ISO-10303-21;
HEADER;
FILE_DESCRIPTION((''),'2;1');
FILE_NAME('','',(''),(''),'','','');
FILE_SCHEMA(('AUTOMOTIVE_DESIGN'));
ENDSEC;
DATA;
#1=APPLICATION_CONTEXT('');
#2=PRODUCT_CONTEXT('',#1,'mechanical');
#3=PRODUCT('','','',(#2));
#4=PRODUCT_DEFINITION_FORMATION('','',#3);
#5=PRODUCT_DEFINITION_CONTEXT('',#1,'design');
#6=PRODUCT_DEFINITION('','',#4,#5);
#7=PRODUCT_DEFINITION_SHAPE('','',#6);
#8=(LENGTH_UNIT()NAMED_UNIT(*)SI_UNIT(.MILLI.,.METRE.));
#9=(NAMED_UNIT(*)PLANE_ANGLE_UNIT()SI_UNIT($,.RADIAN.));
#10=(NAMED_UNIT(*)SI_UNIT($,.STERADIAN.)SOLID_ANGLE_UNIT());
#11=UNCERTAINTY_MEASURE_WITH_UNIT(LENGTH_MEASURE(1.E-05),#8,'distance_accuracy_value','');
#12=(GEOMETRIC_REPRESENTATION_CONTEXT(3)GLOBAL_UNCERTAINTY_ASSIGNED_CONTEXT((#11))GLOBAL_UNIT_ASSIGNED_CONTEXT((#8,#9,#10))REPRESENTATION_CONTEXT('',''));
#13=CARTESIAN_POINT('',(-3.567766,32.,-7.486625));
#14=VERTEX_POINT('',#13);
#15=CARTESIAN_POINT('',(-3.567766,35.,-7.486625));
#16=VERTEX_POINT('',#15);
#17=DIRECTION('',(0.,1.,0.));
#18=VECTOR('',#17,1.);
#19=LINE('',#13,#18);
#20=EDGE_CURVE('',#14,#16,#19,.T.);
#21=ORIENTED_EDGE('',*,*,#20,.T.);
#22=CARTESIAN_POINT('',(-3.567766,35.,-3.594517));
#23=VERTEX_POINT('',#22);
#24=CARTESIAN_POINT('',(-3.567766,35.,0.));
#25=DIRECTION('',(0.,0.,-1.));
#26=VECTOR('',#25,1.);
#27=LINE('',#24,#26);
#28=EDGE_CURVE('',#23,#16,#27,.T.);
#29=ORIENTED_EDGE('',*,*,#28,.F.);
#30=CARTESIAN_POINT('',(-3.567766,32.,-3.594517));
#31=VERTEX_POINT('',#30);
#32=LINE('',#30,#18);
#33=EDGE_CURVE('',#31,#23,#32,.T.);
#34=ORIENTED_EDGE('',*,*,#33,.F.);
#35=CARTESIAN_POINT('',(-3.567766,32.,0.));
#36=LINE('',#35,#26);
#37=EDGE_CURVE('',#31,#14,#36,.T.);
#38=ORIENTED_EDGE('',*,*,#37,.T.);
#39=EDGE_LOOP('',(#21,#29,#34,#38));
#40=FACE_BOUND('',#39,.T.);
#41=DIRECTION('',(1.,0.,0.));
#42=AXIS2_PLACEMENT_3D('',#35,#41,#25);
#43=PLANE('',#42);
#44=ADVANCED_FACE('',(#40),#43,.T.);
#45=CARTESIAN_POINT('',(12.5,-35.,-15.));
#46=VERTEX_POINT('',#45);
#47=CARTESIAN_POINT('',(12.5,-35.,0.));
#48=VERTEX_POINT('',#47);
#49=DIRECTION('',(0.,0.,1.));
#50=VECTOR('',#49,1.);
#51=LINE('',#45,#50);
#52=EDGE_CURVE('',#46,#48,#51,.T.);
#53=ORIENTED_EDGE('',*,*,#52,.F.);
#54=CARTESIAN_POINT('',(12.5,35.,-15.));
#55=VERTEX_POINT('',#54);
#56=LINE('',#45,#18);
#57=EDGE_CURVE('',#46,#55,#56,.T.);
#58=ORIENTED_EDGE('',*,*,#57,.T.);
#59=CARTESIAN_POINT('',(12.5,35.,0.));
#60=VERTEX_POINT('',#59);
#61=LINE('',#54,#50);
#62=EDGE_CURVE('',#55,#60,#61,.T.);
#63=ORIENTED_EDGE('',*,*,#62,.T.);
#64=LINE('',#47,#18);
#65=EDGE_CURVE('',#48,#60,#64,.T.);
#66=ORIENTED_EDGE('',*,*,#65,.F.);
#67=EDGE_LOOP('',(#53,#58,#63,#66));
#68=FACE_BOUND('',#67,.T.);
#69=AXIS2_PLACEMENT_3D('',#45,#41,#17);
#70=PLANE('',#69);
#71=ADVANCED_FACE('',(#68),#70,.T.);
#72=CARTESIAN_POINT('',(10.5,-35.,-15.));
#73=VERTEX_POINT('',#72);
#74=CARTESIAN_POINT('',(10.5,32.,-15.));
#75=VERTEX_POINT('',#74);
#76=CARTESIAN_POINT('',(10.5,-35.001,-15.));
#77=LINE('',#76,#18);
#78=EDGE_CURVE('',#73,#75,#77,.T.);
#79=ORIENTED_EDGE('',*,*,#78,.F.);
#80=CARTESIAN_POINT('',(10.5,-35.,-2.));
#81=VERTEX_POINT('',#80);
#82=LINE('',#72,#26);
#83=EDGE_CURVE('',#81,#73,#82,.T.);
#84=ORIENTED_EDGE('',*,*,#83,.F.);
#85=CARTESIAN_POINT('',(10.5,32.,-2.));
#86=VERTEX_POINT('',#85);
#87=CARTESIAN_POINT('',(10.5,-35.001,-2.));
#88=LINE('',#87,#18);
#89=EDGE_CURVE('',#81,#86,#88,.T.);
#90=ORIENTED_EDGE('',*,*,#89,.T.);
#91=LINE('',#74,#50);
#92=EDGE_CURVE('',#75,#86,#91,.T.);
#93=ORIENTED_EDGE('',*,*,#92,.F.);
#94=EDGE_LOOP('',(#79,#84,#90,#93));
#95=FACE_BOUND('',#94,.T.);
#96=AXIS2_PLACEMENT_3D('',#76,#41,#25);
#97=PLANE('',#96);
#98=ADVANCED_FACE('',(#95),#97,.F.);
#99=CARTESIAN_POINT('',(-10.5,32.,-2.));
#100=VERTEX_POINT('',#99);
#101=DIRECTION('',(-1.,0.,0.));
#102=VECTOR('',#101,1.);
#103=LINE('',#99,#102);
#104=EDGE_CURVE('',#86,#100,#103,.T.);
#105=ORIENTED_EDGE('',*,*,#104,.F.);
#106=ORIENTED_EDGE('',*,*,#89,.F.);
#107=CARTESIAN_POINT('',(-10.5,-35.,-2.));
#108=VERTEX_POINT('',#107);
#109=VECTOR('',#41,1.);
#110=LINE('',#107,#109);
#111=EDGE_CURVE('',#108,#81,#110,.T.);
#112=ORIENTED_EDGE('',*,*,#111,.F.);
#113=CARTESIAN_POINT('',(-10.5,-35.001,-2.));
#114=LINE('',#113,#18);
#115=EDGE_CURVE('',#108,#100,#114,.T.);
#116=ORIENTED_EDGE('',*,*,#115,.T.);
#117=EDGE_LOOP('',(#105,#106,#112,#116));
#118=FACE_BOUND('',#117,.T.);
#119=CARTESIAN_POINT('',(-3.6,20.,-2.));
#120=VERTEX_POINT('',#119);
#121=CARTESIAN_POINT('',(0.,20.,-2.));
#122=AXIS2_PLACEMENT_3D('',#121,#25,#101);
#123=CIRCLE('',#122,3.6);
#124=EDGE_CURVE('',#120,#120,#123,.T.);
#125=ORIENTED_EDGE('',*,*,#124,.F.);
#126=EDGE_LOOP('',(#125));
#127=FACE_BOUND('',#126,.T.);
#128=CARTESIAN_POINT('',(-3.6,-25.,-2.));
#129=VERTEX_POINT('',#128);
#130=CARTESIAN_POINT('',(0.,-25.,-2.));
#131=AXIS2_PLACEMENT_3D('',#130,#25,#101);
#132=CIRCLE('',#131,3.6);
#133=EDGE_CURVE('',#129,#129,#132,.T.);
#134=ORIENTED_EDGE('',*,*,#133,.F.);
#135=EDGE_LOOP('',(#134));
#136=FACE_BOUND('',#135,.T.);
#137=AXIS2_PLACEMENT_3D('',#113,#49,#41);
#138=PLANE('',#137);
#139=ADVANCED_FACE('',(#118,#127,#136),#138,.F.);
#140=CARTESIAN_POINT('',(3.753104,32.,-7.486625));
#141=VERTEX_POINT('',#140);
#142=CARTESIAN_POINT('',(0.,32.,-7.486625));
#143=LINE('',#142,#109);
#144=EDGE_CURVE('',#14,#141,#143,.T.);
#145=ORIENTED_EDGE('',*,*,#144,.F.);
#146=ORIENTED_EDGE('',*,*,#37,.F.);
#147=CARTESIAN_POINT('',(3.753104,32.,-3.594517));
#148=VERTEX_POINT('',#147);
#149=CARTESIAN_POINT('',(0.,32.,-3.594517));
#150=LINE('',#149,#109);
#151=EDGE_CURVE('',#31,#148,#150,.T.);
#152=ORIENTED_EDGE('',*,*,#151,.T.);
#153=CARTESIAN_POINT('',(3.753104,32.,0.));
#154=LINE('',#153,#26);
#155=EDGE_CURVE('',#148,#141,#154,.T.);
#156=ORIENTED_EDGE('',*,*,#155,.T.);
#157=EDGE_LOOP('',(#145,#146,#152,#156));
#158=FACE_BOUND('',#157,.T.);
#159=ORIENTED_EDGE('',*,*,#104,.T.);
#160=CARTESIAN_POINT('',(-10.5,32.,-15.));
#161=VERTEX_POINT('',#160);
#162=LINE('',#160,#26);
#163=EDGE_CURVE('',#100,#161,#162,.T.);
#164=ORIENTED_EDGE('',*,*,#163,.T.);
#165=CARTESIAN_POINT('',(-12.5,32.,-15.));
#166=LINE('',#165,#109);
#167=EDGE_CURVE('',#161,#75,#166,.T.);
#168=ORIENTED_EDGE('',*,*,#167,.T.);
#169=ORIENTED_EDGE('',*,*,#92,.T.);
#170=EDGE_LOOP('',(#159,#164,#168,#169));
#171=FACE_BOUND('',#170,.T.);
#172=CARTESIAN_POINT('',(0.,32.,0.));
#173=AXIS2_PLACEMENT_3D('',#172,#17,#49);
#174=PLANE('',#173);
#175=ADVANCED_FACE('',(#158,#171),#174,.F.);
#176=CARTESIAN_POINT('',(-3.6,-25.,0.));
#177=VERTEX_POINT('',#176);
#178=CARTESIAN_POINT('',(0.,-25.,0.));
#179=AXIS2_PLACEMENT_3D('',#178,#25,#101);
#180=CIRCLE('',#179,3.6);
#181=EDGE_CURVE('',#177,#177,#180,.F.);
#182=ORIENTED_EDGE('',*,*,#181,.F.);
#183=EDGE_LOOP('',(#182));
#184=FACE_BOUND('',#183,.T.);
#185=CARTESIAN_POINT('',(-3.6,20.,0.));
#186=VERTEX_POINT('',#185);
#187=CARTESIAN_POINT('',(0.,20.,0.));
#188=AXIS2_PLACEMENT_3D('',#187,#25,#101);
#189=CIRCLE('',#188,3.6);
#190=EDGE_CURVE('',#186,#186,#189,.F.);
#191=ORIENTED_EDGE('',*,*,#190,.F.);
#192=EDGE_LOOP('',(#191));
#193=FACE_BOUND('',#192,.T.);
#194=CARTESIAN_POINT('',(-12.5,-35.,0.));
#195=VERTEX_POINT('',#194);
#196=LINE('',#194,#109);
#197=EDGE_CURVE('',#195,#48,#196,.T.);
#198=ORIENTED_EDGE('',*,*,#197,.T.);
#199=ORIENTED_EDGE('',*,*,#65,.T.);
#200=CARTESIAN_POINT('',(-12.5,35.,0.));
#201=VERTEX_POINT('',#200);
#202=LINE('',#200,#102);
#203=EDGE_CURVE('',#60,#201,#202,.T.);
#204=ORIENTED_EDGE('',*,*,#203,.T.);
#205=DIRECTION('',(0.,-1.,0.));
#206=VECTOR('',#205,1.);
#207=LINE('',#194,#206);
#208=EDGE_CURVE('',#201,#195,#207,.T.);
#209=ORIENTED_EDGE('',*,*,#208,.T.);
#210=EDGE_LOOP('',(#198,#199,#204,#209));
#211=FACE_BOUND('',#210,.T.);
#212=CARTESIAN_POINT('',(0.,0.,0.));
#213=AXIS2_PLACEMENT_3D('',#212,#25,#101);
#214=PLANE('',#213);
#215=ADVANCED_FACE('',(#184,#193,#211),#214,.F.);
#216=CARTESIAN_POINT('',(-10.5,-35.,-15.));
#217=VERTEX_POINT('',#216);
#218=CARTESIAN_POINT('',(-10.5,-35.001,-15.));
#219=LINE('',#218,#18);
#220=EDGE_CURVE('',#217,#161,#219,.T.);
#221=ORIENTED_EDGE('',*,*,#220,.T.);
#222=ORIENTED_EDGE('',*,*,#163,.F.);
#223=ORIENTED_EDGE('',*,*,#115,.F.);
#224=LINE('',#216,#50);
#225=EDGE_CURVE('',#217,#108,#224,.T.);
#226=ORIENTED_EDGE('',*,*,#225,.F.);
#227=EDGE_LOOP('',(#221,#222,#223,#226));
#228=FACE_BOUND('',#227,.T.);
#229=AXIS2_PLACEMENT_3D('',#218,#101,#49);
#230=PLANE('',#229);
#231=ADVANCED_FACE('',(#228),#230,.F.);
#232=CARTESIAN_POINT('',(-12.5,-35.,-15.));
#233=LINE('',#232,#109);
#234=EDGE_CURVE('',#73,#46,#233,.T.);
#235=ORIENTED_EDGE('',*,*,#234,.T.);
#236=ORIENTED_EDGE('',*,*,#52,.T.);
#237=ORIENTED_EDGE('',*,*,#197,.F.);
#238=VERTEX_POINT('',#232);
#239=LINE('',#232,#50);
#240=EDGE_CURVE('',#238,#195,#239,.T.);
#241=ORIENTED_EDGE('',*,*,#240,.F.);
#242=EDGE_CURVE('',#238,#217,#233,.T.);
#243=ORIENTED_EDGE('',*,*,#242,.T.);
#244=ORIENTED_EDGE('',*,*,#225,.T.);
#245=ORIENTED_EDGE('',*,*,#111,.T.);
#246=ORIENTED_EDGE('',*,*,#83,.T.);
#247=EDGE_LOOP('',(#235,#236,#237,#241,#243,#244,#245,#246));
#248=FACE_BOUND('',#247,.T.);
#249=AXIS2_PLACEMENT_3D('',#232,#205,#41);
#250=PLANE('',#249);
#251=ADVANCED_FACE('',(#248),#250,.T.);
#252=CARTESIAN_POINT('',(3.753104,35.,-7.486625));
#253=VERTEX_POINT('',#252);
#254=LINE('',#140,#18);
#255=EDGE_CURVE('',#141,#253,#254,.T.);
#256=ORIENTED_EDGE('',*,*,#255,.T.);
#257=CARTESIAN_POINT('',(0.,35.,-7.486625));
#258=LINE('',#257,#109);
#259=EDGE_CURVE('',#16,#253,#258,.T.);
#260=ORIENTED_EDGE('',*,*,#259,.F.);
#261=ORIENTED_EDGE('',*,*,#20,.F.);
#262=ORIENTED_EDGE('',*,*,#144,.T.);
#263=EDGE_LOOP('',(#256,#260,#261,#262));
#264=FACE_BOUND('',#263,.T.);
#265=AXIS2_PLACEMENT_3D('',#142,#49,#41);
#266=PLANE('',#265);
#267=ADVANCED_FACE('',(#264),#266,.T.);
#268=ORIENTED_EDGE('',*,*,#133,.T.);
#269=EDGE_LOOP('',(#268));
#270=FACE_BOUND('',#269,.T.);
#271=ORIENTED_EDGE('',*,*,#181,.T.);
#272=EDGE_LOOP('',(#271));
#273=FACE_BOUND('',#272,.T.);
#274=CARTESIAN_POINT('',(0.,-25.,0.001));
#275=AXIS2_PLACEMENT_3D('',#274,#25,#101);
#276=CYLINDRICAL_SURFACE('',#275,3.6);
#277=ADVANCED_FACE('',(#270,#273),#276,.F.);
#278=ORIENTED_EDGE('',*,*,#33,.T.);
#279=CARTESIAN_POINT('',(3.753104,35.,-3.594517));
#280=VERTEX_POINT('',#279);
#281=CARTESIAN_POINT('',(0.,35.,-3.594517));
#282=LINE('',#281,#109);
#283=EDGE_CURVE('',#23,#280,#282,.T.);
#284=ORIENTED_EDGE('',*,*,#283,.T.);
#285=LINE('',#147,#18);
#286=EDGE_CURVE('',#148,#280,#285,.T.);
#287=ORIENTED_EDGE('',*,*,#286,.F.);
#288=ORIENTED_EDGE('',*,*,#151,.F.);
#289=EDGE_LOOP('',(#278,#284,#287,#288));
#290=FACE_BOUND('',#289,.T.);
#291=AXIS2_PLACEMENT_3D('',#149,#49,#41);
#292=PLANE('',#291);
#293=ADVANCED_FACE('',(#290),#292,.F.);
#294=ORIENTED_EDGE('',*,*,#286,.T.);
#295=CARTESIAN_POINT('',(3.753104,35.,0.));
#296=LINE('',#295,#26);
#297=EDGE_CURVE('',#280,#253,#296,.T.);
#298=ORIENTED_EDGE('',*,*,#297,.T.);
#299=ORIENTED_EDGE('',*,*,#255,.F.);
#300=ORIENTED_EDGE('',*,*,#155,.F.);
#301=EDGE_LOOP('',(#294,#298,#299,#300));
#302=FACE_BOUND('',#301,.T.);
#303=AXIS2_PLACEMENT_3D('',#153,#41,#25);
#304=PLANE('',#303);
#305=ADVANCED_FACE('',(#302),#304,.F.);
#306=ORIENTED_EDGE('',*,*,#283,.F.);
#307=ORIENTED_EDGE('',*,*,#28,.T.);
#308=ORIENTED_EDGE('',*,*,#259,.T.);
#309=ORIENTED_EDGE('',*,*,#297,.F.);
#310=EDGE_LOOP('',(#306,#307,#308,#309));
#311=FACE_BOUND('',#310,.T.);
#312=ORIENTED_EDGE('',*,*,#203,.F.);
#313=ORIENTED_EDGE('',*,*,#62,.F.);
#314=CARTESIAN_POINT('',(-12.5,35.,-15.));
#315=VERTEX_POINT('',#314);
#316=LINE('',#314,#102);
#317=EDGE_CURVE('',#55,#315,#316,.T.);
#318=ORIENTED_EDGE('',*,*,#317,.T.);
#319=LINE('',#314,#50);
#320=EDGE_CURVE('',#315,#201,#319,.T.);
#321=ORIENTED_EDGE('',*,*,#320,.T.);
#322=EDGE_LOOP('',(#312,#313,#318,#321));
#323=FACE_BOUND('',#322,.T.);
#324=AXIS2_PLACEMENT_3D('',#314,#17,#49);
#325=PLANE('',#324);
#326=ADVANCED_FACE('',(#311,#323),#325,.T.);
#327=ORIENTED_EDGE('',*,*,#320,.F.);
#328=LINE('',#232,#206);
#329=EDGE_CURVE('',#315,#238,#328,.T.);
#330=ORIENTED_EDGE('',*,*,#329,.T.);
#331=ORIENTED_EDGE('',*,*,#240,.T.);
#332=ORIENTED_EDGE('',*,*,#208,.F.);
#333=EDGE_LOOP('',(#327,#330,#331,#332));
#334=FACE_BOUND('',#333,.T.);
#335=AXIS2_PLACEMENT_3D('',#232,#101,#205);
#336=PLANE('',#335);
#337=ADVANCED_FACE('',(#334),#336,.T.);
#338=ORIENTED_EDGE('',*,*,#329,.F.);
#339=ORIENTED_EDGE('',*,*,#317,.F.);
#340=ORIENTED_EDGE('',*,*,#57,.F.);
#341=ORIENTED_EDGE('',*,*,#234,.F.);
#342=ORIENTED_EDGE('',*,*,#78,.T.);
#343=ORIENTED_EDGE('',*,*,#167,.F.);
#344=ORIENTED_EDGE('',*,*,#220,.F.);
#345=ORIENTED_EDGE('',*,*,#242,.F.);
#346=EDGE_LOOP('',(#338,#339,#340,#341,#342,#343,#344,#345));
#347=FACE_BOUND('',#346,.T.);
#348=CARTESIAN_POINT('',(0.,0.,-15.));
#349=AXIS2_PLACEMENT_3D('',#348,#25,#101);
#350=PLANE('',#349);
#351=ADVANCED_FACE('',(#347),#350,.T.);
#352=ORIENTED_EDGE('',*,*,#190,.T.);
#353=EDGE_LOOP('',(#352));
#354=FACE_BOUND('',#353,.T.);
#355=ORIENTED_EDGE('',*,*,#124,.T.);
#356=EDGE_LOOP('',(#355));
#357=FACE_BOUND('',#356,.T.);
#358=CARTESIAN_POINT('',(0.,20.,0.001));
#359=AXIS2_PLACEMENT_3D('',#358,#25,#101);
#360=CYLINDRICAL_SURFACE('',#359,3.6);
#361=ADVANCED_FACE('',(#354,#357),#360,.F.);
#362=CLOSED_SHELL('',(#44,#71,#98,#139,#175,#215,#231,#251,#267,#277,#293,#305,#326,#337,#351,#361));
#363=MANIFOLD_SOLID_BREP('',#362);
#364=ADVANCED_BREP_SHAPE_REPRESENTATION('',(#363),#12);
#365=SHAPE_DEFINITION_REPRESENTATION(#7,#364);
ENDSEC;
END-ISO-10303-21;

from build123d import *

# Parameters (mm, degrees)
SKETCH1_W           = 25
SKETCH1_H           = 70
BOSS_EXTRUDE1_DEPTH = 15
CUT_EXTRUDE1_REACH  = 74.672
SKETCH2_W           = 21
SKETCH2_H           = 13
SKETCH4_W           = 25
SKETCH4_H           = 15
SKETCH4_W_2         = 7.320869851
SKETCH4_H_2         = 3.892108022
BOSS_EXTRUDE2_DEPTH = 3
CUT_EXTRUDE3_REACH  = 41.373
SKETCH5_R           = 3.6


with BuildPart() as part:
    # Sketch1 → Boss-Extrude1 (new body)
    with BuildSketch(Plane.XY):
        Rectangle(SKETCH1_W, SKETCH1_H)
    extrude(amount=-BOSS_EXTRUDE1_DEPTH)

    # Sketch2 → Cut-Extrude1 (cut, up to next)
    with BuildSketch(Plane(origin=(0, 35, 0), x_dir=(1, 0, 0), z_dir=(0, 1, 0)), mode=Mode.PRIVATE) as cut_extrude1_sk1:
        with Locations((0, 8.5)):
            Rectangle(SKETCH2_W, SKETCH2_H)
    cut_extrude1_tool1 = extrude(cut_extrude1_sk1.sketch, amount=-CUT_EXTRUDE1_REACH, mode=Mode.PRIVATE) & part.part
    add(cut_extrude1_tool1.solids().sort_by_distance((0, 35, -8.5))[0], mode=Mode.SUBTRACT)

    # Sketch4 → Boss-Extrude2 (add)
    with BuildSketch(Plane(origin=(0, 35, 0), x_dir=(1, 0, 0), z_dir=(0, 1, 0))):
        with Locations((0, 7.5)):
            Rectangle(SKETCH4_W, SKETCH4_H)
        with Locations((0.092669239, 5.540570559)):
            Rectangle(SKETCH4_W_2, SKETCH4_H_2, mode=Mode.SUBTRACT)
    extrude(amount=-BOSS_EXTRUDE2_DEPTH)

    # Sketch5 → Cut-Extrude3 (cut, up to next)
    with BuildSketch(Plane(origin=(0, 0, -2), x_dir=(-1, 0, 0), z_dir=(0, 0, -1)), mode=Mode.PRIVATE) as cut_extrude3_sk1:
        with Locations((0, 20)):
            Circle(SKETCH5_R)
    cut_extrude3_tool1 = extrude(cut_extrude3_sk1.sketch, amount=-CUT_EXTRUDE3_REACH, mode=Mode.PRIVATE) & part.part
    # Sketch5 → Cut-Extrude3 (cut, up to next)
    with BuildSketch(Plane(origin=(0, 0, -2), x_dir=(-1, 0, 0), z_dir=(0, 0, -1)), mode=Mode.PRIVATE) as cut_extrude3_sk2:
        with Locations((0, -25)):
            Circle(SKETCH5_R)
    cut_extrude3_tool2 = extrude(cut_extrude3_sk2.sketch, amount=-CUT_EXTRUDE3_REACH, mode=Mode.PRIVATE) & part.part
    add(cut_extrude3_tool1.solids().sort_by_distance((0, 20, -2))[0], mode=Mode.SUBTRACT)
    add(cut_extrude3_tool2.solids().sort_by_distance((0, -25, -2))[0], mode=Mode.SUBTRACT)


solid = part.part
